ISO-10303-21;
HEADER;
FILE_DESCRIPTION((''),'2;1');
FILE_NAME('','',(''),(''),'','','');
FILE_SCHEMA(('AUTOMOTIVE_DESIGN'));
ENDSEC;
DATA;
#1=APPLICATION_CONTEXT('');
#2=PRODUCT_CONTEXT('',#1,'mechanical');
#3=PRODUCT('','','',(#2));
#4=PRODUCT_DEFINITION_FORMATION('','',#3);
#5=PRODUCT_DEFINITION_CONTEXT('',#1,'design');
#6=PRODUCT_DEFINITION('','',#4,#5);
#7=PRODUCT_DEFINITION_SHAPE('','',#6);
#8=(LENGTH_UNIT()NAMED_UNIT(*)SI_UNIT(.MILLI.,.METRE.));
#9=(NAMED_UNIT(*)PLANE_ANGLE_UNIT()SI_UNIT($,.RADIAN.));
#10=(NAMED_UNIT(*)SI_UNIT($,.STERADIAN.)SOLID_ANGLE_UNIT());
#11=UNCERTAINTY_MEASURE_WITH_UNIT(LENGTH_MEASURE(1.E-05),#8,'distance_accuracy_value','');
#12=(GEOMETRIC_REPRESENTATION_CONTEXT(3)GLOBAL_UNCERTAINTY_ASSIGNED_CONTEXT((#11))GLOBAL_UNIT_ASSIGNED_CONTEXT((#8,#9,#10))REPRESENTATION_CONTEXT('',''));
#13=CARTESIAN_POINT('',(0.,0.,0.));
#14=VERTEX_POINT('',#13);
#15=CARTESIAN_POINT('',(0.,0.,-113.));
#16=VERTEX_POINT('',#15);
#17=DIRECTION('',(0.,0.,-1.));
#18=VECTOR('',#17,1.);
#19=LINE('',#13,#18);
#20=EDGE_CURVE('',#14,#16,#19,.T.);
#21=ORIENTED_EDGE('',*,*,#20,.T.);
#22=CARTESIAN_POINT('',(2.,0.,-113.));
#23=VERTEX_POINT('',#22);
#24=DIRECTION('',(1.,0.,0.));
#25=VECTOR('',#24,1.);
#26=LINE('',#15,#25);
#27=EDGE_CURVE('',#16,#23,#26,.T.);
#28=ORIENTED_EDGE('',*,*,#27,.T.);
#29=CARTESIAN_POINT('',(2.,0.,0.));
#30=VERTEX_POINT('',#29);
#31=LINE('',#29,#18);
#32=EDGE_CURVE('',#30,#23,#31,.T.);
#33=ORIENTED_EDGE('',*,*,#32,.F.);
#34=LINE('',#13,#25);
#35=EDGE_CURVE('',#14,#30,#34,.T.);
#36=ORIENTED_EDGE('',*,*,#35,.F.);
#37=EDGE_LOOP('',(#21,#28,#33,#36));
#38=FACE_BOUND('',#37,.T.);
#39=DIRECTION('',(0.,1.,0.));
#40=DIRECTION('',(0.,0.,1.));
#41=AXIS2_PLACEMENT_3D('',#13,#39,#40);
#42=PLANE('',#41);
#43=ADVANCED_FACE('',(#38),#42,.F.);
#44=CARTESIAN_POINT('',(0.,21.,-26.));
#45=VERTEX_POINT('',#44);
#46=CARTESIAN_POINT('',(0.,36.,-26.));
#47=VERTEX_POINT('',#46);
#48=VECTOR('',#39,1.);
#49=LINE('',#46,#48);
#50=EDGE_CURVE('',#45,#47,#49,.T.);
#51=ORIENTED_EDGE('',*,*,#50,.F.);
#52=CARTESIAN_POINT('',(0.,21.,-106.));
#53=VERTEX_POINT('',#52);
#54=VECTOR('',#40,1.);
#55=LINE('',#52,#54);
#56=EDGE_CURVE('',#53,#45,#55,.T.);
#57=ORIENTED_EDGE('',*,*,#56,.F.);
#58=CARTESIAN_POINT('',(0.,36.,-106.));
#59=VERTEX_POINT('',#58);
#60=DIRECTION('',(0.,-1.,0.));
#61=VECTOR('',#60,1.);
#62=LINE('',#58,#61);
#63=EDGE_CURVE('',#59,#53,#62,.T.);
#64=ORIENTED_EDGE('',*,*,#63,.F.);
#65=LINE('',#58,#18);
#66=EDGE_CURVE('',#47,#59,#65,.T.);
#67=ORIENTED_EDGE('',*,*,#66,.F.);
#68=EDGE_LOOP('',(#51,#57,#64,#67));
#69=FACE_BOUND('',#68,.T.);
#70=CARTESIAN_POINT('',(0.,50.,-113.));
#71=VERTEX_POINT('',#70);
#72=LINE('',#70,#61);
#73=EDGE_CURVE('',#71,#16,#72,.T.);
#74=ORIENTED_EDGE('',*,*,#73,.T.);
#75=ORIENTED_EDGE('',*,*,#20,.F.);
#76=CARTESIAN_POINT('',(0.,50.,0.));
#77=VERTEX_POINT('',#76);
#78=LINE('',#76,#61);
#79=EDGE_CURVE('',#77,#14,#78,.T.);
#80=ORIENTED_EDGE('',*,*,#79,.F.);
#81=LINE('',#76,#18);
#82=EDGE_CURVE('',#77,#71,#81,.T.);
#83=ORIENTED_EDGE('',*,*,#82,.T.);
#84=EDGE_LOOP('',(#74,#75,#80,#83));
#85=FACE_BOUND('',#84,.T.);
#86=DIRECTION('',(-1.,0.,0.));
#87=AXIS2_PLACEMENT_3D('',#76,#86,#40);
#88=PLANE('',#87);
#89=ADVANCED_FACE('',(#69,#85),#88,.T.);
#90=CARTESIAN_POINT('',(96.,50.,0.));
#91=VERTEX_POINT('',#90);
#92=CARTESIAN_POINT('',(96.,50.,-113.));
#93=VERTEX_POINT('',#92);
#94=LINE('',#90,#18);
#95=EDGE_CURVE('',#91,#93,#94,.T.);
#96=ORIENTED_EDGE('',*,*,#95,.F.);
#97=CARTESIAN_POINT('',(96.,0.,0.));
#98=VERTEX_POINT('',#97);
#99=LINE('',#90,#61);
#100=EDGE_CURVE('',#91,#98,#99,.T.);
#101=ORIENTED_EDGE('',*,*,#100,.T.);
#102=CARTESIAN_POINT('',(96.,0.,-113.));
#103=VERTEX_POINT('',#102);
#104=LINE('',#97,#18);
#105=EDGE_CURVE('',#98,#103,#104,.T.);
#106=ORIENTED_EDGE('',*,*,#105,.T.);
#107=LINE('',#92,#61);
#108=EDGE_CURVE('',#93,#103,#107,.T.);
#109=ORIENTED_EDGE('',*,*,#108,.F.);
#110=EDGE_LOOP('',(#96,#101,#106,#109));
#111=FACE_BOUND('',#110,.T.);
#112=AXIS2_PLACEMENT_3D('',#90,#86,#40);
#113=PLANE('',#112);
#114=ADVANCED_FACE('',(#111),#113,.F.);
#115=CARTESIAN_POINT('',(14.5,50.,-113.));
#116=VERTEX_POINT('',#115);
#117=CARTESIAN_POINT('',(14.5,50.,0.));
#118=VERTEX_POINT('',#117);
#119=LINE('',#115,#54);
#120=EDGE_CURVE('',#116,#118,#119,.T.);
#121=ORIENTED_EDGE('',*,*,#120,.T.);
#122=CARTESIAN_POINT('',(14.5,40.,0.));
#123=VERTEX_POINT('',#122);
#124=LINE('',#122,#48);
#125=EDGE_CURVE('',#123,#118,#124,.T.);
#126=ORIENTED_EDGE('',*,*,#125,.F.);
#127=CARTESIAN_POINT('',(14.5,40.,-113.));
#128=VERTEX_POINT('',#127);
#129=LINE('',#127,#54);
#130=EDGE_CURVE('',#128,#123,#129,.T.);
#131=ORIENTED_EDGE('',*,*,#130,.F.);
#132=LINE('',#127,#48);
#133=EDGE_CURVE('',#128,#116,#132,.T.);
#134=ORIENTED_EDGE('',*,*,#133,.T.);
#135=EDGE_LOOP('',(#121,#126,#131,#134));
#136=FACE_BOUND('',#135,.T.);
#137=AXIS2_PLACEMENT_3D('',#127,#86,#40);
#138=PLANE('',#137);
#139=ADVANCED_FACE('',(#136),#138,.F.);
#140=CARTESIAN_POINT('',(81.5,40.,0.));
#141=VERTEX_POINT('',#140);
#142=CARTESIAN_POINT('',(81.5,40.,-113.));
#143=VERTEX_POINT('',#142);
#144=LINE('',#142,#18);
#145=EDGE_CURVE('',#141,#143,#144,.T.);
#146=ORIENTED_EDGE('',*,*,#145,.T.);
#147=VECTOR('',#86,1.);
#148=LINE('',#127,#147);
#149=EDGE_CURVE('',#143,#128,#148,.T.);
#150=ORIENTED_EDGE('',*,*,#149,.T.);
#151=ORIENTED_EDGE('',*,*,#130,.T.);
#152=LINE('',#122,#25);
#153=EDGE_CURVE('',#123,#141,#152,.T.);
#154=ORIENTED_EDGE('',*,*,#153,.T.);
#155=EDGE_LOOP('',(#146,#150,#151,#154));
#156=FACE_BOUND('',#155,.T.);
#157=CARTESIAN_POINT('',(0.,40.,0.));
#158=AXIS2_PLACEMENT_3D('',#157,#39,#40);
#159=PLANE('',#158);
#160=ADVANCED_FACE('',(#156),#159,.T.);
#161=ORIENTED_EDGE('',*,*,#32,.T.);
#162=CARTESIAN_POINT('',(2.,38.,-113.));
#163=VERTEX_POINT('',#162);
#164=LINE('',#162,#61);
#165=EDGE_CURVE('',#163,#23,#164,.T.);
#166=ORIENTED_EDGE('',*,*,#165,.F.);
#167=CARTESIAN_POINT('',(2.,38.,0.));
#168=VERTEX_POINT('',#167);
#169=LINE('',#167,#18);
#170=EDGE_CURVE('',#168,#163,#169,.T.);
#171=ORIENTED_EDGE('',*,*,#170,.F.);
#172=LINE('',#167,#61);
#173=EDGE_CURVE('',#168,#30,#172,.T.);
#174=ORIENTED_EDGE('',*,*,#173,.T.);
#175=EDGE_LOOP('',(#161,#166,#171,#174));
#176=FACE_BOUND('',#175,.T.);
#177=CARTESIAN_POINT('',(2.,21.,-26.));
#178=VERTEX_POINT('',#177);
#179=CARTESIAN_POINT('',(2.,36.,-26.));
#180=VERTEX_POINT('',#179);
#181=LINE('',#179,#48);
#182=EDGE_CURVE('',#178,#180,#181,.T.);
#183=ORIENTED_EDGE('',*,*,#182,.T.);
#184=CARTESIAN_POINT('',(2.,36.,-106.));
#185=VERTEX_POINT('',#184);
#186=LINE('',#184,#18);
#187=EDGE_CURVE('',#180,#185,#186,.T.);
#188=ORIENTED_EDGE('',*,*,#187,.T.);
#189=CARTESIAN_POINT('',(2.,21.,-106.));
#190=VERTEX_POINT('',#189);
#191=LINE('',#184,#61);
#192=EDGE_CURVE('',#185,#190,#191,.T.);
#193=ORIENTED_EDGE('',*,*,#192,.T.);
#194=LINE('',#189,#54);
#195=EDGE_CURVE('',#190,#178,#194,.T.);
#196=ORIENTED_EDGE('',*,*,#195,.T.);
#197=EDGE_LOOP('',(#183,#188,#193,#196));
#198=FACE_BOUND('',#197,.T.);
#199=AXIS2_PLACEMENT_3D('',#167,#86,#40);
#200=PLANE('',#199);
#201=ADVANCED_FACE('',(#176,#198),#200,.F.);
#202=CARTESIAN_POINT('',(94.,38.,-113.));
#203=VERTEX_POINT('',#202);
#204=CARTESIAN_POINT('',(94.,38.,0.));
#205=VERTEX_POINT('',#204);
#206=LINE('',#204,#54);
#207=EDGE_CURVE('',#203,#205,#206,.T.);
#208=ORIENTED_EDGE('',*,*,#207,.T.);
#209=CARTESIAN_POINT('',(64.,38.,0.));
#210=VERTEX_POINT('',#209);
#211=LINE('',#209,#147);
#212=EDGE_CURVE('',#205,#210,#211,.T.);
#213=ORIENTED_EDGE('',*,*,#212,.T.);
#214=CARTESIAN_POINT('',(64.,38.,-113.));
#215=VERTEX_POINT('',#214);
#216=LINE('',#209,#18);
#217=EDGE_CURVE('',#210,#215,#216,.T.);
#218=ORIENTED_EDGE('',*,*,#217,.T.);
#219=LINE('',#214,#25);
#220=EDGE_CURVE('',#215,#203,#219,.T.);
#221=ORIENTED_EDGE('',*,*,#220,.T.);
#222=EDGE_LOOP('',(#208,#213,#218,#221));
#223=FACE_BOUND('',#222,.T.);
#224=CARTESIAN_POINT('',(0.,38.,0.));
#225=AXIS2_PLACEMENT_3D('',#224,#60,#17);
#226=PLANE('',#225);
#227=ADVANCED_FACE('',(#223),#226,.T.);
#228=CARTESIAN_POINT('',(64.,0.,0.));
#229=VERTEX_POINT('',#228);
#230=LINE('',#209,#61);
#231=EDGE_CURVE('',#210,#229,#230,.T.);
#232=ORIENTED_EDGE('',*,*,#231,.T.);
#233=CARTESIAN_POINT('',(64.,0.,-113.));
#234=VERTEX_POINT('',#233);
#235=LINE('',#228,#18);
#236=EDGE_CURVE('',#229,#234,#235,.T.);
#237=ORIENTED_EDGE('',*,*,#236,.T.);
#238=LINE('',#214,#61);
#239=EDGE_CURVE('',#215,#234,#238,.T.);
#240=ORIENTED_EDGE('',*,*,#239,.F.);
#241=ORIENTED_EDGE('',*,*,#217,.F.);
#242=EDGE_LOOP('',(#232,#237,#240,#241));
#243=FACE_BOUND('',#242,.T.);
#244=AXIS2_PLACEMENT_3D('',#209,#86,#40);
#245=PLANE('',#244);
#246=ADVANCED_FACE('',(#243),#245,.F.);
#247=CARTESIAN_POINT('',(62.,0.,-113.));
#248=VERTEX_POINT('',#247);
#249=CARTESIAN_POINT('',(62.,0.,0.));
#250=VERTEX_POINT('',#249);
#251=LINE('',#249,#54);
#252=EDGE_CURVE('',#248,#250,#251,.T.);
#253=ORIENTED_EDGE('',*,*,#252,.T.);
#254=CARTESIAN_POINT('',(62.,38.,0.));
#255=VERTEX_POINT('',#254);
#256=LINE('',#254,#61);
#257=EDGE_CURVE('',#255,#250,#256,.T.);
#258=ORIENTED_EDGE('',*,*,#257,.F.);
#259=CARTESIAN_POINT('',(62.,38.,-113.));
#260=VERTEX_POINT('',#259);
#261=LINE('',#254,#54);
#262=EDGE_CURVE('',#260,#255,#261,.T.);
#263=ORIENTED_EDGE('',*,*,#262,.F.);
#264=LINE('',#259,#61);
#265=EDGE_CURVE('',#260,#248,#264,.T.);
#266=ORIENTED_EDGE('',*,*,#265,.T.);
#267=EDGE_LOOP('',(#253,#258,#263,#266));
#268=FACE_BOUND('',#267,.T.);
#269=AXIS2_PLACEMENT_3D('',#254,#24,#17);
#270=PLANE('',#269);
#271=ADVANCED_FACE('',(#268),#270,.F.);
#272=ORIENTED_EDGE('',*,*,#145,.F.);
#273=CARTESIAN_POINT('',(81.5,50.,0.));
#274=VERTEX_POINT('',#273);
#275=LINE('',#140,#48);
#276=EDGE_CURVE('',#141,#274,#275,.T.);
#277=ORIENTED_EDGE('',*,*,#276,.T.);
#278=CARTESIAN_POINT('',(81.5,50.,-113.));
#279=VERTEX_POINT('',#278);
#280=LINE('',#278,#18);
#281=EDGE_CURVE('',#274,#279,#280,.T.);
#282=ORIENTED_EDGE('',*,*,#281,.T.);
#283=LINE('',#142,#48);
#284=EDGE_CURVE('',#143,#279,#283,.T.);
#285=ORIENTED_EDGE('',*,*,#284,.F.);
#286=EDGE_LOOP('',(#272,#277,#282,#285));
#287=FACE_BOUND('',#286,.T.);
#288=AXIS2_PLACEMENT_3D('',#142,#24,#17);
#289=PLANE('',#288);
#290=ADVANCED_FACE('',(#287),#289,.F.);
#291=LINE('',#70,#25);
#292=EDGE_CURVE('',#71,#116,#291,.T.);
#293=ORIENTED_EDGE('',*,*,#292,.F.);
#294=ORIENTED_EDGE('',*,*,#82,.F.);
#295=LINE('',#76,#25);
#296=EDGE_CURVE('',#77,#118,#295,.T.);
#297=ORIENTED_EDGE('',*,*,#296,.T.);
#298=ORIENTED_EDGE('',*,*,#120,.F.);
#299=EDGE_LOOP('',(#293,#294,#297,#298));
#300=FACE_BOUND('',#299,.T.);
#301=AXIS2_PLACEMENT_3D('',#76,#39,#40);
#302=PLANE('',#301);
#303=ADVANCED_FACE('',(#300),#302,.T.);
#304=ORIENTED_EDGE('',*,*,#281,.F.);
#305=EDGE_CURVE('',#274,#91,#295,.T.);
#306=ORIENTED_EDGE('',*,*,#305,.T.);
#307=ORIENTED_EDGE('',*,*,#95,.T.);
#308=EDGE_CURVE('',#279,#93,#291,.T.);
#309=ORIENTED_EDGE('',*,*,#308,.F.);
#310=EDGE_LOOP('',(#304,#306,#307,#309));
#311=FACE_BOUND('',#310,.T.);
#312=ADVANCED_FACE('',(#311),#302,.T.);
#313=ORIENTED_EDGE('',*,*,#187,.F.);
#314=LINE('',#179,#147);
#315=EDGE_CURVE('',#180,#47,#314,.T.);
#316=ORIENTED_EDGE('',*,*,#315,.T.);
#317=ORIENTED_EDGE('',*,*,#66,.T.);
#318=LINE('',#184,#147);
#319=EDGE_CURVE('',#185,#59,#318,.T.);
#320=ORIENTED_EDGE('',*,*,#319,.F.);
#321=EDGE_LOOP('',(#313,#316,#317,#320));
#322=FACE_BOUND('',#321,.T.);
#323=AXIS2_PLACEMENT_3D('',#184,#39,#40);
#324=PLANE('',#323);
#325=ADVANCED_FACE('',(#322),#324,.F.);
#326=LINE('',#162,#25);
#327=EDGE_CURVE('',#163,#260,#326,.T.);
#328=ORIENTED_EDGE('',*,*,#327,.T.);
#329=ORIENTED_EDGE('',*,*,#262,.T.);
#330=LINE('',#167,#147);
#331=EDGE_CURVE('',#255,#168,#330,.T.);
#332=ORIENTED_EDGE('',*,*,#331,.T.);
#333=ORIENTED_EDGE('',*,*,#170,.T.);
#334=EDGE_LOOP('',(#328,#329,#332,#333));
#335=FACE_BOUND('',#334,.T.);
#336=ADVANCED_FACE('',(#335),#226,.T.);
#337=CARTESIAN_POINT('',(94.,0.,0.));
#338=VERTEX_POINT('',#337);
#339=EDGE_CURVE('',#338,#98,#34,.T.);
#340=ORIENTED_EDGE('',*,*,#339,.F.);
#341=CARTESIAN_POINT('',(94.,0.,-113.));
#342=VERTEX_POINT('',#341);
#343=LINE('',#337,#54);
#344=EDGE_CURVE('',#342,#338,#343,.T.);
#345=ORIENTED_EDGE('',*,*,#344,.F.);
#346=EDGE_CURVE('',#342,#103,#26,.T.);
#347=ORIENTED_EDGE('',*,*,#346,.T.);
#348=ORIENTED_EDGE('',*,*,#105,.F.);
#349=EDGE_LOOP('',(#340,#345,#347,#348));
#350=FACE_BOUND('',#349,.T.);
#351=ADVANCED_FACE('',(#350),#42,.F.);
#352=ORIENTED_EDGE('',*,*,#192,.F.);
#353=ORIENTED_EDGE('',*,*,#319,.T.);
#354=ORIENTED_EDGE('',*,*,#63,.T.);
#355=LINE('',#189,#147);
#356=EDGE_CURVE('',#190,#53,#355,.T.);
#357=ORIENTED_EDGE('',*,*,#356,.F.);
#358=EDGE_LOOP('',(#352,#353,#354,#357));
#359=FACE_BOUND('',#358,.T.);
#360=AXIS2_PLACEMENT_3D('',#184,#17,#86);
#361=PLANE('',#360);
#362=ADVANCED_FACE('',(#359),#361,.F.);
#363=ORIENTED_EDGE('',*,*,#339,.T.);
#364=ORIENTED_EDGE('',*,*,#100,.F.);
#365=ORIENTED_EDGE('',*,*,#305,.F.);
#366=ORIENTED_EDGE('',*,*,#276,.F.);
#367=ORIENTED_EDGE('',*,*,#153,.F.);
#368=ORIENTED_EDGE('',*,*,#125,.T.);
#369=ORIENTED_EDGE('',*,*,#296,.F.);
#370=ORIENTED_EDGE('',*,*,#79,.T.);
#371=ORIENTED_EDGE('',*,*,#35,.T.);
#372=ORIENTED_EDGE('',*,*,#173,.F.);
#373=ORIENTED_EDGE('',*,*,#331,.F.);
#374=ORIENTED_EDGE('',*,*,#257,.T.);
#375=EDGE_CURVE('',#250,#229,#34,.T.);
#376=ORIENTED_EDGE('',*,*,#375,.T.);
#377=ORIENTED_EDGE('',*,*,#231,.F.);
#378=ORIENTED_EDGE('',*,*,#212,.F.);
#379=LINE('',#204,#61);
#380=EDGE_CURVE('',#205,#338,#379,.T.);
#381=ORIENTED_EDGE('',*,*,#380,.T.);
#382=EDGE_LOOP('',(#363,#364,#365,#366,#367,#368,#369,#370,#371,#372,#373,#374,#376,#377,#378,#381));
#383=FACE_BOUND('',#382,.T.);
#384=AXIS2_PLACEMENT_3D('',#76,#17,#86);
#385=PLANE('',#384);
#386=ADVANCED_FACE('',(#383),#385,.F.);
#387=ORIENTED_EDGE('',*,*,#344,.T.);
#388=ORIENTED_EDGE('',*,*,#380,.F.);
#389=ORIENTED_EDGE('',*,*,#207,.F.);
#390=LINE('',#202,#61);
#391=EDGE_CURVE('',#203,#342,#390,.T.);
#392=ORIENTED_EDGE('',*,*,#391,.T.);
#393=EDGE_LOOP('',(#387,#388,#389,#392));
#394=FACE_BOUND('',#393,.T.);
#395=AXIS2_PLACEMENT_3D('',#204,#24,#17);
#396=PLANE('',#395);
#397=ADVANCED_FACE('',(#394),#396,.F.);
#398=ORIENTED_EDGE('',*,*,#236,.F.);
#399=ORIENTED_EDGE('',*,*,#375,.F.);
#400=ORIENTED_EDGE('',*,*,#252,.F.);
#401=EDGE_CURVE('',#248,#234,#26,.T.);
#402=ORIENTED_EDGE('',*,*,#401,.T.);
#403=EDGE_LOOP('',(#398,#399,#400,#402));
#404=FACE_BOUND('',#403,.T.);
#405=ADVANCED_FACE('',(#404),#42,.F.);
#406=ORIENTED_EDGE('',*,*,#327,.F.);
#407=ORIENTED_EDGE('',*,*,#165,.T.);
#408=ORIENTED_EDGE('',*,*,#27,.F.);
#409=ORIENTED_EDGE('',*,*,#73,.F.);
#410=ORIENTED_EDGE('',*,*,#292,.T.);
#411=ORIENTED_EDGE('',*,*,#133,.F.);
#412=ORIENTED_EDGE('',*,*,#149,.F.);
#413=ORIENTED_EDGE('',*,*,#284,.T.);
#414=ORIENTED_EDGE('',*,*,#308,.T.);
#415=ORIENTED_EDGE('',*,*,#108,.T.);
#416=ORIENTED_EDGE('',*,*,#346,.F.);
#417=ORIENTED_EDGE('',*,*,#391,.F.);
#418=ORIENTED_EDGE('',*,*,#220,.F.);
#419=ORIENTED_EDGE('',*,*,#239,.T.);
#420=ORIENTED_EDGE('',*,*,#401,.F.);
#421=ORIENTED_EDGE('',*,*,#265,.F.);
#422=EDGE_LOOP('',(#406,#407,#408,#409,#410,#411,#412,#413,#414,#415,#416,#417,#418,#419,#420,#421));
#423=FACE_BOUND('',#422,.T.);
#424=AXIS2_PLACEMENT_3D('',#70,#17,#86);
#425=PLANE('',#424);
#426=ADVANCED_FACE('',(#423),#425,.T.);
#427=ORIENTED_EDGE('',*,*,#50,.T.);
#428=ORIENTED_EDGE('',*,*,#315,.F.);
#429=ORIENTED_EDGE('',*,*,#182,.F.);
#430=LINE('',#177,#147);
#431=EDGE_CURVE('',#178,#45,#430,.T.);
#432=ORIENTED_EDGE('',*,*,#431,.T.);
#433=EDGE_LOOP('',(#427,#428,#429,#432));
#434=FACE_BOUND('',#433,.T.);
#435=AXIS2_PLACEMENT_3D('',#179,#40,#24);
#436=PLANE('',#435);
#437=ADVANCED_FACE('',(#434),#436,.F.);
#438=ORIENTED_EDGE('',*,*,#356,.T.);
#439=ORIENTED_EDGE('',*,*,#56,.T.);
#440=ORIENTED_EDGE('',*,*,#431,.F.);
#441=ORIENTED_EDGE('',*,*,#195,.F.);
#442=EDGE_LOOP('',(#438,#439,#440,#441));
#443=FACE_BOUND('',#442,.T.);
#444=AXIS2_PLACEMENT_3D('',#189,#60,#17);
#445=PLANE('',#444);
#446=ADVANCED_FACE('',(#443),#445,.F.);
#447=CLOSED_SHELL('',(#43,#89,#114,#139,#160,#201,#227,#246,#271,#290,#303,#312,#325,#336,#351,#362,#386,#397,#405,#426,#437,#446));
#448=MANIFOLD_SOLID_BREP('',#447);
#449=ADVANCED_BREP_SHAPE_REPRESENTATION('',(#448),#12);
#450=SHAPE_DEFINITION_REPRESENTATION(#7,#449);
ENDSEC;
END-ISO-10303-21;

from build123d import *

# Parameters (mm, degrees)
SKETCH_1_W          = 96
SKETCH_1_H          = 113
EXTRUDE_1_DEPTH     = 50
SKETCH_2_W          = 67
SKETCH_2_H          = 113
CUT_EXTRUDE_1_DEPTH = 10
SKETCH_3_W          = 60
SKETCH_3_H          = 113
SKETCH_3_W_2        = 30
CUT_EXTRUDE_2_DEPTH = 38
SKETCH_4_W          = 80
SKETCH_4_H          = 15
CUT_EXTRUDE_3_DEPTH = 2


with BuildPart() as part:
    # Эскиз1 → Бобышка-Вытянуть1 (new body)
    with BuildSketch(Plane(origin=(0, 0, 0), x_dir=(1, 0, 0), z_dir=(0, 1, 0))):
        with Locations((48, 56.5)):
            Rectangle(SKETCH_1_W, SKETCH_1_H)
    extrude(amount=EXTRUDE_1_DEPTH)

    # Эскиз2 → Вырез-Вытянуть1 (cut)
    with BuildSketch(Plane(origin=(0, 50, 0), x_dir=(1, 0, 0), z_dir=(0, 1, 0))):
        with Locations((48, 56.5)):
            Rectangle(SKETCH_2_W, SKETCH_2_H)
    extrude(amount=-CUT_EXTRUDE_1_DEPTH, mode=Mode.SUBTRACT)

    # Эскиз3 → Вырез-Вытянуть2 (cut)
    with BuildSketch(Plane.XZ):
        with Locations((32, -56.5)):
            Rectangle(SKETCH_3_W, SKETCH_3_H)
        with Locations((79, -56.5)):
            Rectangle(SKETCH_3_W_2, SKETCH_3_H)
    extrude(amount=-CUT_EXTRUDE_2_DEPTH, mode=Mode.SUBTRACT)

    # Эскиз4 → Вырез-Вытянуть3 (cut)
    with BuildSketch(Plane.ZY):
        with Locations((-66, 28.5)):
            Rectangle(SKETCH_4_W, SKETCH_4_H)
    extrude(amount=-CUT_EXTRUDE_3_DEPTH, mode=Mode.SUBTRACT)


solid = part.part
